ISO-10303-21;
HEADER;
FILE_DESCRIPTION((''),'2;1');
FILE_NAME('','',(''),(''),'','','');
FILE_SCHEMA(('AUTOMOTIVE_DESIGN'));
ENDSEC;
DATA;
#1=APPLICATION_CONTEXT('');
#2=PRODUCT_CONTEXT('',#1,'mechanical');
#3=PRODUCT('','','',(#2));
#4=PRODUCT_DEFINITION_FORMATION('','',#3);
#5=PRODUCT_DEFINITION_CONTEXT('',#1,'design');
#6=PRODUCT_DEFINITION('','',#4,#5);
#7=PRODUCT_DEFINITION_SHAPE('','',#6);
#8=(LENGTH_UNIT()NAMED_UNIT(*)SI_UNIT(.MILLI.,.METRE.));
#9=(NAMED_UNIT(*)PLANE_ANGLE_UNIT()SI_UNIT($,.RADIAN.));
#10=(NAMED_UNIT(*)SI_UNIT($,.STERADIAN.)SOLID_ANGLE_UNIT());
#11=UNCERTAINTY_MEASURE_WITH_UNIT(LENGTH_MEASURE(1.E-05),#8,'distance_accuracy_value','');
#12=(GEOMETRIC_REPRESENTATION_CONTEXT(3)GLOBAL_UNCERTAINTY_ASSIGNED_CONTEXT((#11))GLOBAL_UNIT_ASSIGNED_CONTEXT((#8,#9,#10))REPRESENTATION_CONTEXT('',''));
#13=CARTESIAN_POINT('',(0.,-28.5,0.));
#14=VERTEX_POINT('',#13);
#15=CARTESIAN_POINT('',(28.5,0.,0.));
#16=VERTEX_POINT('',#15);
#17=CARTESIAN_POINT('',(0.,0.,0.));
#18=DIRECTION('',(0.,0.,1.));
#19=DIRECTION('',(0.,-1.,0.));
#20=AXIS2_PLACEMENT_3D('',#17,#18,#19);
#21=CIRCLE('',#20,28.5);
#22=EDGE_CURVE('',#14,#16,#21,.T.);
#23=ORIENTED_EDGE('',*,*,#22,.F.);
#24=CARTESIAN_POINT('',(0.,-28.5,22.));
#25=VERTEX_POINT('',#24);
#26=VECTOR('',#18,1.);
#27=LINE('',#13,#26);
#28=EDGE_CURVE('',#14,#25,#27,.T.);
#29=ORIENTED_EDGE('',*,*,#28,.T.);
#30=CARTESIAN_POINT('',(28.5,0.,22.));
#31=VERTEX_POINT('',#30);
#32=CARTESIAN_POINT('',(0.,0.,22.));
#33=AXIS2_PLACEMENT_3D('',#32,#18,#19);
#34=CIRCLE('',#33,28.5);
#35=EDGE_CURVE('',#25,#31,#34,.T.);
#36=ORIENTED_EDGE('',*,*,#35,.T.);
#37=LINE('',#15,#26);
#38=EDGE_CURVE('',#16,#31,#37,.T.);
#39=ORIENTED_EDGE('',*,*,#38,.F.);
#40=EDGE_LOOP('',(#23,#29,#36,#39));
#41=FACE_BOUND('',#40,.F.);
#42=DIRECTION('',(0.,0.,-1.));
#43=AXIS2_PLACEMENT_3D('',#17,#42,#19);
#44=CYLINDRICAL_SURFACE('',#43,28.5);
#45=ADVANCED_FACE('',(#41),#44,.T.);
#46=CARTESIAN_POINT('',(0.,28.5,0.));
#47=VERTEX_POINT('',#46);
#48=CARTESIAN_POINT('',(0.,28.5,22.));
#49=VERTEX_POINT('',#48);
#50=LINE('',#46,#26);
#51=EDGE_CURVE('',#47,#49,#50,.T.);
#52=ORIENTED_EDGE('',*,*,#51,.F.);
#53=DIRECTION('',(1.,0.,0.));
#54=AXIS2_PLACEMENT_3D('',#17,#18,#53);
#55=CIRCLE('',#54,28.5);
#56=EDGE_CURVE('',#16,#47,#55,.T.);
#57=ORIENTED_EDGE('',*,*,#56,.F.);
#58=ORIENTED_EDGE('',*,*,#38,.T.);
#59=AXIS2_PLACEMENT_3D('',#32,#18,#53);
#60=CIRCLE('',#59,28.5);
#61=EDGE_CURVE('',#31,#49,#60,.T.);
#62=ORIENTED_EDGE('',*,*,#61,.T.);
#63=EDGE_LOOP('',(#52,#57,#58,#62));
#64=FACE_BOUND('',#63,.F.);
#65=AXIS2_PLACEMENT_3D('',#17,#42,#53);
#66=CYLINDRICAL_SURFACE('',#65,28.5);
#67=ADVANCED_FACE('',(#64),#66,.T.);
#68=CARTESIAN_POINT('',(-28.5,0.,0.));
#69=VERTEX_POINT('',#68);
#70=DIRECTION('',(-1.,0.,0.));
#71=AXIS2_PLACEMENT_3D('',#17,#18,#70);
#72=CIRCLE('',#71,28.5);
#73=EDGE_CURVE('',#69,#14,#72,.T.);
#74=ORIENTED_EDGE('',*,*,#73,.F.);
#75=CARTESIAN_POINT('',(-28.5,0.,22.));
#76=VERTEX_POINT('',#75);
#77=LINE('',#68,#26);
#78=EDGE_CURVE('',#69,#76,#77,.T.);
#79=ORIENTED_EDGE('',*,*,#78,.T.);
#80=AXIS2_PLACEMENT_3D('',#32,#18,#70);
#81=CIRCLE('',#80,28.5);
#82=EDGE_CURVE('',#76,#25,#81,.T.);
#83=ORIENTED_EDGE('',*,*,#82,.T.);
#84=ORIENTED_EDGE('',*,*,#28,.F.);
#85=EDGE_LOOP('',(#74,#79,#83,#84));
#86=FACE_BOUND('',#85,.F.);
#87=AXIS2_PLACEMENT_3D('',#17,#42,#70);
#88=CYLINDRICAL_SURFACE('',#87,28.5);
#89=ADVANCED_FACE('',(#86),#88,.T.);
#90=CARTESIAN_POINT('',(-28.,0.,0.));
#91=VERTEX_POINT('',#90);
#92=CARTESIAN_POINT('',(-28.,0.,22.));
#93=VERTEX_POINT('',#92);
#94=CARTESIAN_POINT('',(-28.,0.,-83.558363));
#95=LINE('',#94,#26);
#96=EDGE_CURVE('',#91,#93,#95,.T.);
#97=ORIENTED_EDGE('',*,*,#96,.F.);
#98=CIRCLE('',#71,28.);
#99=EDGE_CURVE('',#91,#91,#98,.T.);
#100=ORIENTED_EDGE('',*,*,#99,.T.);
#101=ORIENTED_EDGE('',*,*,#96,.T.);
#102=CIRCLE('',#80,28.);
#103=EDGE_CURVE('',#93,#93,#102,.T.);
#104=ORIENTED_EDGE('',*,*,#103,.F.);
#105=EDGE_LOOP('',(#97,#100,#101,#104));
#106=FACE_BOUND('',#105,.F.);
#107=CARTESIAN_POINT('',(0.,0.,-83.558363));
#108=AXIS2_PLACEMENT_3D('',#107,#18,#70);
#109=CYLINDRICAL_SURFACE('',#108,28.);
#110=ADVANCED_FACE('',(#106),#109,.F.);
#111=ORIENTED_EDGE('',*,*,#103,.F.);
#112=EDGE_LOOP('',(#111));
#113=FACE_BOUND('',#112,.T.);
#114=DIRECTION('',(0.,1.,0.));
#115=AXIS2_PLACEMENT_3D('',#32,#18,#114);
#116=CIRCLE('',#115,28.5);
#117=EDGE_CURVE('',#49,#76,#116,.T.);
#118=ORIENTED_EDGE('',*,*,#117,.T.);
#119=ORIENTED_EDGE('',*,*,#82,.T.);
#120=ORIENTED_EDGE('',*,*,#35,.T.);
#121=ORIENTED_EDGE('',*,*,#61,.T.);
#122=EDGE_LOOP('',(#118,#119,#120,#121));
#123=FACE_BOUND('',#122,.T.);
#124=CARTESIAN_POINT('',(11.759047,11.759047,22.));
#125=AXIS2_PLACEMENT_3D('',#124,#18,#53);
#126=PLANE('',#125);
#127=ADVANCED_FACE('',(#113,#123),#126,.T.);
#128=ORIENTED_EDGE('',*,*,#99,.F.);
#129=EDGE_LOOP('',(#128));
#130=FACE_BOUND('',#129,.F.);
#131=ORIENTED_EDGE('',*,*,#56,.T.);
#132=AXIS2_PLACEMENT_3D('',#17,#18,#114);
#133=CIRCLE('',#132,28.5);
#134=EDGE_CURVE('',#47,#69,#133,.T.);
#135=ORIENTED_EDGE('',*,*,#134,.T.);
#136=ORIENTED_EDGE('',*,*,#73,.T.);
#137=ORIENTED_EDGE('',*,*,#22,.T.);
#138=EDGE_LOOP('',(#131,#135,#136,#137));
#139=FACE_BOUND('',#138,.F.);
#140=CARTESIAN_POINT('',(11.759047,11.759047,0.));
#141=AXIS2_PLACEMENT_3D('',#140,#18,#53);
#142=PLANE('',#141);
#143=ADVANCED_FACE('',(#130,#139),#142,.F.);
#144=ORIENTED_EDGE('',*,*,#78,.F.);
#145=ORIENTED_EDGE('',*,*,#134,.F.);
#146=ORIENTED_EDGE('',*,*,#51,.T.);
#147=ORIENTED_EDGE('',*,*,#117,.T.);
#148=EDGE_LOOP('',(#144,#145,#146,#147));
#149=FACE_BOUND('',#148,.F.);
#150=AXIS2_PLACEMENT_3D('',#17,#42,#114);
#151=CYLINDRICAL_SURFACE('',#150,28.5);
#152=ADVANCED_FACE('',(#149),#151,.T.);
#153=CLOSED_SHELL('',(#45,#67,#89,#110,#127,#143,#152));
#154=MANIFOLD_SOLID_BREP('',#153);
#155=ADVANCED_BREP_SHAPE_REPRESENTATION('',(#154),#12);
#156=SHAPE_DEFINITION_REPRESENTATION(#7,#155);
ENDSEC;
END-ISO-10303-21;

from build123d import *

# Parameters (mm, degrees)
F1_DEPTH = 22
F2_D     = 56


with BuildPart() as f1:
    # F0 (on Top) → F1 (new body)
    with BuildSketch(Plane.XY):
        with BuildLine():
            Line((0, 0), (28.5, 0))
            ThreePointArc((28.5, 0), (20.1525432638, 20.1525432638), (0, 28.5))
            Line((0, 28.5), (0, 0))
        make_face()
        with BuildLine():
            Line((0, 0), (0, 28.5))
            ThreePointArc((0, 28.5), (-20.1525432638, 20.1525432638), (-28.5, 0))
            Line((-28.5, 0), (0, 0))
        make_face()
        with BuildLine():
            ThreePointArc((-28.5, 0), (-20.1525432638, -20.1525432638), (0, -28.5))
            Line((0, -28.5), (0, 0))
            Line((0, 0), (-28.5, 0))
        make_face()
        with BuildLine():
            ThreePointArc((0, -28.5), (20.1525432638, -20.1525432638), (28.5, 0))
            Line((28.5, 0), (0, 0))
            Line((0, 0), (0, -28.5))
        make_face()
    extrude(amount=F1_DEPTH)

    # F2 (through all)
    with Locations(Plane(origin=(0, 0, 0), x_dir=(1, 0, 0), z_dir=(0, 0, -1))):
        with Locations((0, 0)):
            Hole(F2_D / 2)


solid = f1.part
